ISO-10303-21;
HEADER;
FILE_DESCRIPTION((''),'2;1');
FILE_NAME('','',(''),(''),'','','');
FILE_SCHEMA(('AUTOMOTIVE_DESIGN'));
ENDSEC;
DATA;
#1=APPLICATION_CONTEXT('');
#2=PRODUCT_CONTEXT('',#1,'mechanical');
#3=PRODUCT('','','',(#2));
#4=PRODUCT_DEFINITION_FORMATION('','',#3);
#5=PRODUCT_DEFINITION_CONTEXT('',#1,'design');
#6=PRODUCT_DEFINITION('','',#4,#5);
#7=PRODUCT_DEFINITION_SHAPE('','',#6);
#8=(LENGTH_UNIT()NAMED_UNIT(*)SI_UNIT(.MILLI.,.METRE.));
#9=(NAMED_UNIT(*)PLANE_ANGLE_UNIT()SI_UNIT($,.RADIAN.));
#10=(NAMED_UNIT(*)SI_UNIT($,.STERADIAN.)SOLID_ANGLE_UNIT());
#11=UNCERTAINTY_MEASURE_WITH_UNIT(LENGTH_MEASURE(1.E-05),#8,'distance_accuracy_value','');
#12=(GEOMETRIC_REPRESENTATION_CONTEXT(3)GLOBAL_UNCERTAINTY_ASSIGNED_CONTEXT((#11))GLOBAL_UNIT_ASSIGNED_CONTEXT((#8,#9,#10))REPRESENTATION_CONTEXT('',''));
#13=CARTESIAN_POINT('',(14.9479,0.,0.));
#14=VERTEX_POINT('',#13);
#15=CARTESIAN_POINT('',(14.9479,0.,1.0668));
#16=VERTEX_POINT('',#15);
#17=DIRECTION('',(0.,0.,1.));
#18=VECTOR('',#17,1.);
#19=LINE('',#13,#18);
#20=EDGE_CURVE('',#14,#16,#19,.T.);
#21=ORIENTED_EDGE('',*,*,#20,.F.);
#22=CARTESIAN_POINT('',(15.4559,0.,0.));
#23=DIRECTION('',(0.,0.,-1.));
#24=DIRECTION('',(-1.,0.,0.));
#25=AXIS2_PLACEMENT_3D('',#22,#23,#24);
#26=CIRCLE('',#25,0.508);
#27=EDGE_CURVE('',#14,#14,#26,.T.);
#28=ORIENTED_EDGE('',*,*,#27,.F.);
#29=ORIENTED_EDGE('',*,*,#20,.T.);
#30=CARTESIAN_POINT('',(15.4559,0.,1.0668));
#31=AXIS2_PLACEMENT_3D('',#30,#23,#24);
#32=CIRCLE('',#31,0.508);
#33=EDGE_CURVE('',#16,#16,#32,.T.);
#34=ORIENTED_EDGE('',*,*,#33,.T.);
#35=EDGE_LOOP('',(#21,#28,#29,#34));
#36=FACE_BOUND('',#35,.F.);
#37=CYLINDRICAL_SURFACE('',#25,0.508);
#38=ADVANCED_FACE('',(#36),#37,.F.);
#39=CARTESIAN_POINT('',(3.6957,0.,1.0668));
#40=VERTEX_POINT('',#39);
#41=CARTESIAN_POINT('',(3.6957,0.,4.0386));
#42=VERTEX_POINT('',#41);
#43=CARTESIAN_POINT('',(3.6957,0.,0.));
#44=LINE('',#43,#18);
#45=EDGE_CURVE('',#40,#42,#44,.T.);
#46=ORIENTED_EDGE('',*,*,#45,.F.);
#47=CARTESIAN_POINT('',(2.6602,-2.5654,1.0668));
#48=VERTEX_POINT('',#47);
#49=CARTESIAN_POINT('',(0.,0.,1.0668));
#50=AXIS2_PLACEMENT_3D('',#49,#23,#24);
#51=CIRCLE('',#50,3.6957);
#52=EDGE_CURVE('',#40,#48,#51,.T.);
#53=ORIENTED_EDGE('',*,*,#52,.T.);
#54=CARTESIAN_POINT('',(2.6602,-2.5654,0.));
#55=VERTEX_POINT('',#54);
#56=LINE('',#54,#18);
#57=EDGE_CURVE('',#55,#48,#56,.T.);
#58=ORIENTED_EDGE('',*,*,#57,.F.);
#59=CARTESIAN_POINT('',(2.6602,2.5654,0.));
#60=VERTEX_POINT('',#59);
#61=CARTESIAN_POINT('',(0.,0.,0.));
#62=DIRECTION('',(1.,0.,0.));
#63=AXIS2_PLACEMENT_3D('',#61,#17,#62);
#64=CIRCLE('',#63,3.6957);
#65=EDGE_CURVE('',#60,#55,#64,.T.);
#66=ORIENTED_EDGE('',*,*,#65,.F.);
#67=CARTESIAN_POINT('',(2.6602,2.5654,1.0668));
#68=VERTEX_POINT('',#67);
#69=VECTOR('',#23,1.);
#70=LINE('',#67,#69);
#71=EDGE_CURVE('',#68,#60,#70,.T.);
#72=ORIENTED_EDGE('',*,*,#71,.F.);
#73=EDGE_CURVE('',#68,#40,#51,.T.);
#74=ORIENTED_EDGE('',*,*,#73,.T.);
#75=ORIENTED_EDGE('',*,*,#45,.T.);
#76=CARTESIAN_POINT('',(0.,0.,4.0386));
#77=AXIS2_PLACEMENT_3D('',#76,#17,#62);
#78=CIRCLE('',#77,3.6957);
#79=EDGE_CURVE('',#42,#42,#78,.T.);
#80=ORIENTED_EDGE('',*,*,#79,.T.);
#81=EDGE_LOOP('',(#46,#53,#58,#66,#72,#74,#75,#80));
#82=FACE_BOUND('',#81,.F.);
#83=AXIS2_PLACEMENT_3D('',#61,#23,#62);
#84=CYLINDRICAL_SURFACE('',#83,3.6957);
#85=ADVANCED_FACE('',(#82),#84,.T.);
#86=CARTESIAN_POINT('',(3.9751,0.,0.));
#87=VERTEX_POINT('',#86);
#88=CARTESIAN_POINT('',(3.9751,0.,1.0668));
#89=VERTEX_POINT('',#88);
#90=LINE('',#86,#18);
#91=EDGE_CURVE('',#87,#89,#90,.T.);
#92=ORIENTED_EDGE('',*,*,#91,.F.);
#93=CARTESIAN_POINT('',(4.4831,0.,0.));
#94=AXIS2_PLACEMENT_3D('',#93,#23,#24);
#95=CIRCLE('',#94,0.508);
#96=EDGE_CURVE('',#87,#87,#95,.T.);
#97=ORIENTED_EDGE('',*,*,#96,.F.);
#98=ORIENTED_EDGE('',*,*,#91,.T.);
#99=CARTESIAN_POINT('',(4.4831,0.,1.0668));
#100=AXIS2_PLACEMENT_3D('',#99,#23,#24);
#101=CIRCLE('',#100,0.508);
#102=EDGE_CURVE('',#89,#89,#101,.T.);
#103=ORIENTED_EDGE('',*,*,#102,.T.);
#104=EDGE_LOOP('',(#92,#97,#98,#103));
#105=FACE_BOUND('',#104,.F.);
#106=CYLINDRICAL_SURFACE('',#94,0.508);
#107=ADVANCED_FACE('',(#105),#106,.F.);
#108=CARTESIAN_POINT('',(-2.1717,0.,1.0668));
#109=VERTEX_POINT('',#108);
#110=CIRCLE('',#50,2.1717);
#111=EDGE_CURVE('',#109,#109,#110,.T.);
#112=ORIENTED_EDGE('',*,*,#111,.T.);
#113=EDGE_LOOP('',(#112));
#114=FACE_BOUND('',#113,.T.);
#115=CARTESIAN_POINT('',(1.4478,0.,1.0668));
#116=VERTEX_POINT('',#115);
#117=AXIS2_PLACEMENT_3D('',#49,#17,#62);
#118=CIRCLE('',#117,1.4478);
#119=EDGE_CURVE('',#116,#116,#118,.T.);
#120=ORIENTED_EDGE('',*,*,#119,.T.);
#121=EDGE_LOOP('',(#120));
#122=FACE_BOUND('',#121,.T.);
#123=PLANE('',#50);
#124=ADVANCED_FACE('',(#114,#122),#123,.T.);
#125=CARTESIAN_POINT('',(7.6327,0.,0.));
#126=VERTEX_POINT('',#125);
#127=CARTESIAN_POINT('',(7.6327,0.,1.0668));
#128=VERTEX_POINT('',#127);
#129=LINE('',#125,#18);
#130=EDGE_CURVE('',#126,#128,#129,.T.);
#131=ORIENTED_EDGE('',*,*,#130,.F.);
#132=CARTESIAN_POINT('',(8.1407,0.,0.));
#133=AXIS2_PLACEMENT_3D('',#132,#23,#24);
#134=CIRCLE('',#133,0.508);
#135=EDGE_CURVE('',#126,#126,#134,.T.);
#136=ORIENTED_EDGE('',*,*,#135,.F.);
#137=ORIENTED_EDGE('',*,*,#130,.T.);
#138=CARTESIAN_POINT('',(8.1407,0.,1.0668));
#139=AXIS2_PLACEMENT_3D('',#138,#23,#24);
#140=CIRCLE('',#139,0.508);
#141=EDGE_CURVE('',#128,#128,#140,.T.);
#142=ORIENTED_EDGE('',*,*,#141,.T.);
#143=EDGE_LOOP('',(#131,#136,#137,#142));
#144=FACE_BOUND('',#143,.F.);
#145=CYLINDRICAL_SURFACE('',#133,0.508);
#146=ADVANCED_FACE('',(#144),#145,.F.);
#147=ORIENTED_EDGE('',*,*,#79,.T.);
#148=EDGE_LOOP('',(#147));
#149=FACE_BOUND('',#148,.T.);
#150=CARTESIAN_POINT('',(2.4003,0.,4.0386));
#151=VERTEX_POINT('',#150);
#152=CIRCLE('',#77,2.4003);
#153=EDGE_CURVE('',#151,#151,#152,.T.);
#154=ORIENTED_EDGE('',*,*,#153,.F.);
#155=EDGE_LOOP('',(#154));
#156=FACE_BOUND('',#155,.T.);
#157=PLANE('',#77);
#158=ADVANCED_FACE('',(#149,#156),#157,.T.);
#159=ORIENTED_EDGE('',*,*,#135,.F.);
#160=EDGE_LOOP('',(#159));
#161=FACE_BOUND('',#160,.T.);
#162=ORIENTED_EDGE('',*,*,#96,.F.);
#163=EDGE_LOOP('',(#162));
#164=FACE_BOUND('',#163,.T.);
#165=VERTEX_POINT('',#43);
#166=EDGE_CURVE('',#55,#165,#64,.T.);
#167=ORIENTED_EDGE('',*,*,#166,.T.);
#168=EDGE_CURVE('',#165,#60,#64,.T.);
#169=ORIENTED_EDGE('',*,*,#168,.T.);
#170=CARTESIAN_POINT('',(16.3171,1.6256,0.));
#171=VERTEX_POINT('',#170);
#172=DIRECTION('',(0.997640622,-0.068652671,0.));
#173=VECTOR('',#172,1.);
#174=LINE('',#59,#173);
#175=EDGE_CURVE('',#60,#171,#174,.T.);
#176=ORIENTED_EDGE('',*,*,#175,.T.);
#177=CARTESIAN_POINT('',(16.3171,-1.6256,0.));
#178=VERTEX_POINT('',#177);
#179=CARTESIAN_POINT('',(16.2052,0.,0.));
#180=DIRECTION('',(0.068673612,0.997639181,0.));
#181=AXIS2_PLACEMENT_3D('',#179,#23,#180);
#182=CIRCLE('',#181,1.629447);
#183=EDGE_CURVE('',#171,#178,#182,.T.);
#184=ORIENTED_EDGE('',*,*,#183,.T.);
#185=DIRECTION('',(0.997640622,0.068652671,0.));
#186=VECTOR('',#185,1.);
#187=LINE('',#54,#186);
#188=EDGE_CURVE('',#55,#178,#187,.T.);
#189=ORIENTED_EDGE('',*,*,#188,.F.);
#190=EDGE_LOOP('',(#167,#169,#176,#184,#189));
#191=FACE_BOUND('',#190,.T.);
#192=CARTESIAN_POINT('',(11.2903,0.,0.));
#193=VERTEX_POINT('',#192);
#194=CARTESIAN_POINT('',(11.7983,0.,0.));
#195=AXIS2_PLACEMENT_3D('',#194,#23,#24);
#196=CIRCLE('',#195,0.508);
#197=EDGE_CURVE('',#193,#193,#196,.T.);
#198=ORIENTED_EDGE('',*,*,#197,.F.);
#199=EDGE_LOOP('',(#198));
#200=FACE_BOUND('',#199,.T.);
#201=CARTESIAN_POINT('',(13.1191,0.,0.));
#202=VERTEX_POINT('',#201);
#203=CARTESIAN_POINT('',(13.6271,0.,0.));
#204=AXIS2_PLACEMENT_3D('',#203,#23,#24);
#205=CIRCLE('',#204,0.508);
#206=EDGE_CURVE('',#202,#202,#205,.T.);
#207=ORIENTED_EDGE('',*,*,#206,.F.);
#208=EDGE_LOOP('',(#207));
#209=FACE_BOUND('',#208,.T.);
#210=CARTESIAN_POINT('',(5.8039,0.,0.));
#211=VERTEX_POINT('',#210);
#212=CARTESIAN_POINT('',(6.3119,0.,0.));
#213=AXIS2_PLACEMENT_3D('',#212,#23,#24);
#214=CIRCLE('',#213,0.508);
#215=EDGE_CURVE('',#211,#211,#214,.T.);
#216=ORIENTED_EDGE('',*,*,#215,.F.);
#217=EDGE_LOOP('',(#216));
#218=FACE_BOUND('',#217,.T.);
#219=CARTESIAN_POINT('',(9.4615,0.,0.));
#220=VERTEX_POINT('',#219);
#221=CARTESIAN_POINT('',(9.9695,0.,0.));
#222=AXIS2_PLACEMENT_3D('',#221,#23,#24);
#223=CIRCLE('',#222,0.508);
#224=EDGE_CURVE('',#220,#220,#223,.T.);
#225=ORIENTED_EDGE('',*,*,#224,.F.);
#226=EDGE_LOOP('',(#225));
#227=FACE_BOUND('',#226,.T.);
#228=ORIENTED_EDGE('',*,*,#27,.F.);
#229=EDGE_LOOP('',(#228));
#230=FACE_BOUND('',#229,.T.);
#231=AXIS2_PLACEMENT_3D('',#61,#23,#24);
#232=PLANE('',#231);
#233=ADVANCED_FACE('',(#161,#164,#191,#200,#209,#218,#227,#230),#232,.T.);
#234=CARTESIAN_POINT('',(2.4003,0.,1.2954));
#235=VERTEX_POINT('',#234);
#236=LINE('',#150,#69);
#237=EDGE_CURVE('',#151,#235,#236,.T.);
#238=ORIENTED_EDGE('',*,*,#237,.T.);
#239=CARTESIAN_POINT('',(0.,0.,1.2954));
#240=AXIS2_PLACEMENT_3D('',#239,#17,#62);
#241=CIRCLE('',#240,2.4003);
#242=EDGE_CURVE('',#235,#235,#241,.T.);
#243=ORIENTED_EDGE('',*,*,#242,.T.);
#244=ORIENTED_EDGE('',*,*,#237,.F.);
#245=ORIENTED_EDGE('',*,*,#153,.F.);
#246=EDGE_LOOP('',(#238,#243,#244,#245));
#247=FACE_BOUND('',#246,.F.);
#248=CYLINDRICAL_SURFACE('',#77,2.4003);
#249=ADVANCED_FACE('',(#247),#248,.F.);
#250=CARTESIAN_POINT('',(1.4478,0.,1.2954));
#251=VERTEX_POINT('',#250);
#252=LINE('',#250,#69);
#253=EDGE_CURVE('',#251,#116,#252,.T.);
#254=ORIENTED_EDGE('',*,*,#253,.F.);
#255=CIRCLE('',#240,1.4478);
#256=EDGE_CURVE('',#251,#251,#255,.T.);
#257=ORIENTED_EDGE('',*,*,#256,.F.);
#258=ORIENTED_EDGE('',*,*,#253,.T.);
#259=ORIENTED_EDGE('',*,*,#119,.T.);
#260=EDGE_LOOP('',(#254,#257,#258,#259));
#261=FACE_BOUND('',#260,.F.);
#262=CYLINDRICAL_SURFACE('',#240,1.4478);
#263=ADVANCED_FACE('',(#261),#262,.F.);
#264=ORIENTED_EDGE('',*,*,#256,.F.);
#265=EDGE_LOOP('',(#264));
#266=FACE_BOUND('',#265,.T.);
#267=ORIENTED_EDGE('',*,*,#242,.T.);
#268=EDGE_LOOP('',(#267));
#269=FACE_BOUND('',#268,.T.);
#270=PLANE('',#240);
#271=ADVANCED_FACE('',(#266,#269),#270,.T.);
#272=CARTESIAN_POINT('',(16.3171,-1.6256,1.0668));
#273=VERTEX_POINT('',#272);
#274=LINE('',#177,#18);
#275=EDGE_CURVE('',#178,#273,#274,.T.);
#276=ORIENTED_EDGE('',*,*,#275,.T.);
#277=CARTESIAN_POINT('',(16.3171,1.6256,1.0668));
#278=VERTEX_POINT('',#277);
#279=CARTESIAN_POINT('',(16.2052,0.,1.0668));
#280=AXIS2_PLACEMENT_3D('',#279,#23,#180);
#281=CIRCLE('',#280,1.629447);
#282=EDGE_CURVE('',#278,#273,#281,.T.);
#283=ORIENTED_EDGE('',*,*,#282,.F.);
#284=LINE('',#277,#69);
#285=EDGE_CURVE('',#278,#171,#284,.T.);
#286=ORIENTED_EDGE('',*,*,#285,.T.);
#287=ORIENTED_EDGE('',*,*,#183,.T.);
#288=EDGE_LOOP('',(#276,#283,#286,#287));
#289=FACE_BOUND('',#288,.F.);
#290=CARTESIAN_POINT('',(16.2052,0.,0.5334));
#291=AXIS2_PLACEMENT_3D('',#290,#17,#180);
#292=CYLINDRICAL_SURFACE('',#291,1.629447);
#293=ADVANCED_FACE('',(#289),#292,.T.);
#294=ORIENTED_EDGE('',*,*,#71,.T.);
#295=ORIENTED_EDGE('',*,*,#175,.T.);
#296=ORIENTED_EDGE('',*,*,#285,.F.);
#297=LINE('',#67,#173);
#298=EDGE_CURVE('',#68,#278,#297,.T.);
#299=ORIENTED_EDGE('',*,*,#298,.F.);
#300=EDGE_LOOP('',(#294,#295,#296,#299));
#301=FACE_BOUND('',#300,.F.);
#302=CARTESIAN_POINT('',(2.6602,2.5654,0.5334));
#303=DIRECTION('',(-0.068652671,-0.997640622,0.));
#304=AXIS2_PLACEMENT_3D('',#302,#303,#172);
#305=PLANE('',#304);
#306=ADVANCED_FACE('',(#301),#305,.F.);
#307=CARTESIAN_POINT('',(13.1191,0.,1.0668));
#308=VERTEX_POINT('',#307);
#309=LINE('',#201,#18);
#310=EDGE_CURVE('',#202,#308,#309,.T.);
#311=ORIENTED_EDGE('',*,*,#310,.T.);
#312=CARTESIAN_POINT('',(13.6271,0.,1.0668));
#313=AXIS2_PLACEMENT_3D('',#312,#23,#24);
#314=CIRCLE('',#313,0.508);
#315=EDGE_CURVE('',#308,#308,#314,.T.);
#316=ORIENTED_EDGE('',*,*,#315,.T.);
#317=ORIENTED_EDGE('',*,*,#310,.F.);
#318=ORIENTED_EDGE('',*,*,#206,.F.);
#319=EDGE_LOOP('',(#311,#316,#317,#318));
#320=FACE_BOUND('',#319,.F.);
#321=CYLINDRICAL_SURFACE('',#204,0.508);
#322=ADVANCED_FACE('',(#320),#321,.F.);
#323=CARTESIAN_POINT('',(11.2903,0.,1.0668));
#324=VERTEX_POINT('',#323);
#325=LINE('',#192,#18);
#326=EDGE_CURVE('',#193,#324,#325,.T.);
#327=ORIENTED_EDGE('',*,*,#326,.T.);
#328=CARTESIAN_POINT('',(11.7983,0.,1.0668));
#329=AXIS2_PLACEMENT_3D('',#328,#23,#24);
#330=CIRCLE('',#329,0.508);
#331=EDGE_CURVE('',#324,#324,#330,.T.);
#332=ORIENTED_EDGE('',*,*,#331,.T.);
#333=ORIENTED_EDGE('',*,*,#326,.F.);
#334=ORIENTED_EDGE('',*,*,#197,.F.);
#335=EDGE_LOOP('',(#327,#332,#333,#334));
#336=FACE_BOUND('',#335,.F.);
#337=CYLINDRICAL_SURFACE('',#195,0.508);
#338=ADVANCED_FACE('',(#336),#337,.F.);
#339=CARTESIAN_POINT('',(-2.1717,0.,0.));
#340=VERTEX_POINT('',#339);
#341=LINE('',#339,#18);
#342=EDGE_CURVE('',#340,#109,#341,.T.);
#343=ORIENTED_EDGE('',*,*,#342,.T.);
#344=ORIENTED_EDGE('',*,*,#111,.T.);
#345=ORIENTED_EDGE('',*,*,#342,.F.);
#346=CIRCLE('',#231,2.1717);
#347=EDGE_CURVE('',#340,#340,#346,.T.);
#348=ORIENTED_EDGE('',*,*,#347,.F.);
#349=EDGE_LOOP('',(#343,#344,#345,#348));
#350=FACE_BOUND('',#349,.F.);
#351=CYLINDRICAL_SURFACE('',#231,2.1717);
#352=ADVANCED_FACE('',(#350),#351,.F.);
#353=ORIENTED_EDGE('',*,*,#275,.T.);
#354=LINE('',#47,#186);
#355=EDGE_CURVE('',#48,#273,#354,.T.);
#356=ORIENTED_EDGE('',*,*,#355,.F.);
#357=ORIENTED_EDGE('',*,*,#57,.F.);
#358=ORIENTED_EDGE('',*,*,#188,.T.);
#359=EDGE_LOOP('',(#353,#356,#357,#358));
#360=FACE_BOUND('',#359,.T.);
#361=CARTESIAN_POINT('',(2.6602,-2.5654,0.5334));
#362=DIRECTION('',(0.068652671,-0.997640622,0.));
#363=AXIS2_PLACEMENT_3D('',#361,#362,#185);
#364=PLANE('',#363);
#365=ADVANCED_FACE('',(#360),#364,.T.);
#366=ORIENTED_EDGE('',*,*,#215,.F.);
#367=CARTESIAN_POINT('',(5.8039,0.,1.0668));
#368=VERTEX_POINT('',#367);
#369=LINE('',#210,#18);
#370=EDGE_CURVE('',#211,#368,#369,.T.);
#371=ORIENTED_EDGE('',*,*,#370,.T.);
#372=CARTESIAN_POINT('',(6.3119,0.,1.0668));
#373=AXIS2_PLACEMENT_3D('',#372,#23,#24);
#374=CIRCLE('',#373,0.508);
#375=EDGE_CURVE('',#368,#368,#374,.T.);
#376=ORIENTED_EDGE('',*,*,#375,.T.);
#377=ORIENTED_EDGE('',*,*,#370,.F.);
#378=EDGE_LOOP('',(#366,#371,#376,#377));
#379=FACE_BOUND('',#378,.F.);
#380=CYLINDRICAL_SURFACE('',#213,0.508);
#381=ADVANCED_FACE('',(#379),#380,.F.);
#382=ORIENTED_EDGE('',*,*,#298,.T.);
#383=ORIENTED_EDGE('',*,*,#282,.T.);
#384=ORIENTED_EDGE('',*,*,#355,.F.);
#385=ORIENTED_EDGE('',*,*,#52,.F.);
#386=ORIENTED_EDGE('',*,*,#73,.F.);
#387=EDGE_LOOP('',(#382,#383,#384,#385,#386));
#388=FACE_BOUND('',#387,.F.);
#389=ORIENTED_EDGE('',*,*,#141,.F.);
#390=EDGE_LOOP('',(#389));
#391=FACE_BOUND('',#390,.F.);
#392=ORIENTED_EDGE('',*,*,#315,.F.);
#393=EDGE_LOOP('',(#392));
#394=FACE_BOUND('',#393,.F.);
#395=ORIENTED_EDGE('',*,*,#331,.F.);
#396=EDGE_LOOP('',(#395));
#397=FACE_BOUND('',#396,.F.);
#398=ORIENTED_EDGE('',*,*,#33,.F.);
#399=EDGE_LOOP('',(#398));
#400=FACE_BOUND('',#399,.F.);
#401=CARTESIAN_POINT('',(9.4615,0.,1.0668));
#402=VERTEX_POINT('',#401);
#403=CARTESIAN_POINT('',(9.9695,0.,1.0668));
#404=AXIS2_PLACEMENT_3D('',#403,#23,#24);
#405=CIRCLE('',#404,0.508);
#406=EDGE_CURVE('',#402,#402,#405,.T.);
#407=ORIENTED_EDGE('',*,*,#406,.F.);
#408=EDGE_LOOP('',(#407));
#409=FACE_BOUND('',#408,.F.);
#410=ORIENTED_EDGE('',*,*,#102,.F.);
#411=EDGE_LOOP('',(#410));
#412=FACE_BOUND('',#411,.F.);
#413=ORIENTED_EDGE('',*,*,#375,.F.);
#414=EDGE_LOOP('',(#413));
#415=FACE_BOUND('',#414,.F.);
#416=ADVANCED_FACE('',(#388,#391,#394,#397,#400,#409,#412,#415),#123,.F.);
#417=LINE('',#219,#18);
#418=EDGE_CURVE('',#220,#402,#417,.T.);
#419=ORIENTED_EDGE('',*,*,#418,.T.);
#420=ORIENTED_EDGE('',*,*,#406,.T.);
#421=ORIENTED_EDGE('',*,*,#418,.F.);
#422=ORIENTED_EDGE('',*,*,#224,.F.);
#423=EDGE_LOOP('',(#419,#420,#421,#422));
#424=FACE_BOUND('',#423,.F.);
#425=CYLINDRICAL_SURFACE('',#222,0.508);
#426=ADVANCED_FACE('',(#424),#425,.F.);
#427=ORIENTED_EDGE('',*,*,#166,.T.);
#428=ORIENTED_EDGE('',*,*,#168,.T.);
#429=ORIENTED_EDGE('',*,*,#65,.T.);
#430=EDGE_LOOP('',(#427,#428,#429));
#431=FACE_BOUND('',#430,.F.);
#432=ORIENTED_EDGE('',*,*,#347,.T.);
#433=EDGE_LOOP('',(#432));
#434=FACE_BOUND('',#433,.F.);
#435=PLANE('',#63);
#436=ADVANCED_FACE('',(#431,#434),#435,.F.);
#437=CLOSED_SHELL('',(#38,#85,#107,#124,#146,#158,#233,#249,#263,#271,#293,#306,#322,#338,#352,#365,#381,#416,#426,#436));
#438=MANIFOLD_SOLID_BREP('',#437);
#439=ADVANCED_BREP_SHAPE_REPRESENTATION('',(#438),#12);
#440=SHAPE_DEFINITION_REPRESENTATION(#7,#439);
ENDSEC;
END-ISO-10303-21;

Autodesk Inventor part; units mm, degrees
ref_plane "YZ Plane" through (0, 0, 0) normal (1, 0, 0) x (0, 1, 0)
ref_plane "XZ Plane" through (0, 0, 0) normal (0, 1, 0) x (-1, 0, 0)
ref_plane "XY Plane" through (0, 0, 0) normal (0, 0, 1) x (1, 0, 0)
sketch "Sketch1" plane through (0, 0, 0) normal (0, 0, 1) x (1, 0, 0)
  circle A0 centre (0, 0) radius 3.6957
  dimension "d0" = 7.3914
extrude "Extrusion1" add sketch "Sketch1" along normal blind 4.0386
sketch "Sketch2" plane through (0, 0, 4.0386) normal (0, 0, 1) x (1, 0, 0)
  circle A0 centre (0, 0) radius 3.6957 projected
  circle A1 centre (0, 0) radius 2.4003
  dimension "d3" = 1.2954
extrude "Extrusion2" cut sketch "Sketch2" against normal blind 2.7432 contours A1
sketch "Sketch3" plane through (0, 0, 0) normal (0, 0, -1) x (-1, 0, 0)
  circle A0 centre (0, 0) radius 3.6957 projected
  circle A1 centre (0, 0) radius 2.1717
  dimension "d6" = 1.524
extrude "Extrusion3" cut sketch "Sketch3" against normal blind 1.0668 contours A1
sketch "Sketch4" plane through (0, 0, 1.2954) normal (0, 0, 1) x (1, 0, 0)
  circle A0 centre (0, 0) radius 2.4003 projected
  circle A1 centre (0, 0) radius 1.4478
  dimension "d9" = 2.8956
extrude "Extrusion4" cut sketch "Sketch4" against normal through all contours A1
ref_plane "Work Plane1" through (0, 0, 0.5334) normal (0, 0, -1) x (-1, 0, 0)
sketch "Sketch5" plane through (0, 0, 0.5334) normal (0, 0, -1) x (-1, 0, 0)
  circle A0 centre (0, 0) radius 3.6957 projected
  line L0 (-2.6602, 2.5654) -> (-16.3171, 1.6256)
  line L1 (-2.6602, -2.5654) -> (-16.3171, -1.6256)
  arc A1 (-16.3171, 1.6256) -> (-16.3171, -1.6256) centre (-16.2052, 0) ccw
  circle A2 centre (0, 0) radius 2.4003 projected
  line L2 (2.6602, 2.5654) -> (16.3171, 1.6256)
  arc A3 (16.3171, -1.6256) -> (16.3171, 1.6256) centre (16.2052, 0) ccw
  line L3 (2.6602, -2.5654) -> (16.3171, -1.6256)
  dimension "d12" = 5.1308
  dimension "d15" = 16.2052
  dimension "d28" = 360
  dimension "d35" = 3.2512
extrude "Extrusion5" add sketch "Sketch5" along normal mid plane 1.0668 contours A0 L1 A1 L0
sketch "Sketch6" plane through (0, 0, 0) normal (0, 0, -1) x (-1, 0, 0)
  circle A0 centre (0, 0) radius 2.1717 projected
  circle A1 centre (-4.4831, 0) radius 0.508
  dimension "d36" = 1.8034
  dimension "d37" = 1.016
extrude "Extrusion6" cut sketch "Sketch6" against normal through all contours A1
pattern_linear "Rectangular Pattern1" count 7 spacing 1.8288 along (1, 0, 0) of "Extrusion6"
properties part number "singleSideCutoff"
